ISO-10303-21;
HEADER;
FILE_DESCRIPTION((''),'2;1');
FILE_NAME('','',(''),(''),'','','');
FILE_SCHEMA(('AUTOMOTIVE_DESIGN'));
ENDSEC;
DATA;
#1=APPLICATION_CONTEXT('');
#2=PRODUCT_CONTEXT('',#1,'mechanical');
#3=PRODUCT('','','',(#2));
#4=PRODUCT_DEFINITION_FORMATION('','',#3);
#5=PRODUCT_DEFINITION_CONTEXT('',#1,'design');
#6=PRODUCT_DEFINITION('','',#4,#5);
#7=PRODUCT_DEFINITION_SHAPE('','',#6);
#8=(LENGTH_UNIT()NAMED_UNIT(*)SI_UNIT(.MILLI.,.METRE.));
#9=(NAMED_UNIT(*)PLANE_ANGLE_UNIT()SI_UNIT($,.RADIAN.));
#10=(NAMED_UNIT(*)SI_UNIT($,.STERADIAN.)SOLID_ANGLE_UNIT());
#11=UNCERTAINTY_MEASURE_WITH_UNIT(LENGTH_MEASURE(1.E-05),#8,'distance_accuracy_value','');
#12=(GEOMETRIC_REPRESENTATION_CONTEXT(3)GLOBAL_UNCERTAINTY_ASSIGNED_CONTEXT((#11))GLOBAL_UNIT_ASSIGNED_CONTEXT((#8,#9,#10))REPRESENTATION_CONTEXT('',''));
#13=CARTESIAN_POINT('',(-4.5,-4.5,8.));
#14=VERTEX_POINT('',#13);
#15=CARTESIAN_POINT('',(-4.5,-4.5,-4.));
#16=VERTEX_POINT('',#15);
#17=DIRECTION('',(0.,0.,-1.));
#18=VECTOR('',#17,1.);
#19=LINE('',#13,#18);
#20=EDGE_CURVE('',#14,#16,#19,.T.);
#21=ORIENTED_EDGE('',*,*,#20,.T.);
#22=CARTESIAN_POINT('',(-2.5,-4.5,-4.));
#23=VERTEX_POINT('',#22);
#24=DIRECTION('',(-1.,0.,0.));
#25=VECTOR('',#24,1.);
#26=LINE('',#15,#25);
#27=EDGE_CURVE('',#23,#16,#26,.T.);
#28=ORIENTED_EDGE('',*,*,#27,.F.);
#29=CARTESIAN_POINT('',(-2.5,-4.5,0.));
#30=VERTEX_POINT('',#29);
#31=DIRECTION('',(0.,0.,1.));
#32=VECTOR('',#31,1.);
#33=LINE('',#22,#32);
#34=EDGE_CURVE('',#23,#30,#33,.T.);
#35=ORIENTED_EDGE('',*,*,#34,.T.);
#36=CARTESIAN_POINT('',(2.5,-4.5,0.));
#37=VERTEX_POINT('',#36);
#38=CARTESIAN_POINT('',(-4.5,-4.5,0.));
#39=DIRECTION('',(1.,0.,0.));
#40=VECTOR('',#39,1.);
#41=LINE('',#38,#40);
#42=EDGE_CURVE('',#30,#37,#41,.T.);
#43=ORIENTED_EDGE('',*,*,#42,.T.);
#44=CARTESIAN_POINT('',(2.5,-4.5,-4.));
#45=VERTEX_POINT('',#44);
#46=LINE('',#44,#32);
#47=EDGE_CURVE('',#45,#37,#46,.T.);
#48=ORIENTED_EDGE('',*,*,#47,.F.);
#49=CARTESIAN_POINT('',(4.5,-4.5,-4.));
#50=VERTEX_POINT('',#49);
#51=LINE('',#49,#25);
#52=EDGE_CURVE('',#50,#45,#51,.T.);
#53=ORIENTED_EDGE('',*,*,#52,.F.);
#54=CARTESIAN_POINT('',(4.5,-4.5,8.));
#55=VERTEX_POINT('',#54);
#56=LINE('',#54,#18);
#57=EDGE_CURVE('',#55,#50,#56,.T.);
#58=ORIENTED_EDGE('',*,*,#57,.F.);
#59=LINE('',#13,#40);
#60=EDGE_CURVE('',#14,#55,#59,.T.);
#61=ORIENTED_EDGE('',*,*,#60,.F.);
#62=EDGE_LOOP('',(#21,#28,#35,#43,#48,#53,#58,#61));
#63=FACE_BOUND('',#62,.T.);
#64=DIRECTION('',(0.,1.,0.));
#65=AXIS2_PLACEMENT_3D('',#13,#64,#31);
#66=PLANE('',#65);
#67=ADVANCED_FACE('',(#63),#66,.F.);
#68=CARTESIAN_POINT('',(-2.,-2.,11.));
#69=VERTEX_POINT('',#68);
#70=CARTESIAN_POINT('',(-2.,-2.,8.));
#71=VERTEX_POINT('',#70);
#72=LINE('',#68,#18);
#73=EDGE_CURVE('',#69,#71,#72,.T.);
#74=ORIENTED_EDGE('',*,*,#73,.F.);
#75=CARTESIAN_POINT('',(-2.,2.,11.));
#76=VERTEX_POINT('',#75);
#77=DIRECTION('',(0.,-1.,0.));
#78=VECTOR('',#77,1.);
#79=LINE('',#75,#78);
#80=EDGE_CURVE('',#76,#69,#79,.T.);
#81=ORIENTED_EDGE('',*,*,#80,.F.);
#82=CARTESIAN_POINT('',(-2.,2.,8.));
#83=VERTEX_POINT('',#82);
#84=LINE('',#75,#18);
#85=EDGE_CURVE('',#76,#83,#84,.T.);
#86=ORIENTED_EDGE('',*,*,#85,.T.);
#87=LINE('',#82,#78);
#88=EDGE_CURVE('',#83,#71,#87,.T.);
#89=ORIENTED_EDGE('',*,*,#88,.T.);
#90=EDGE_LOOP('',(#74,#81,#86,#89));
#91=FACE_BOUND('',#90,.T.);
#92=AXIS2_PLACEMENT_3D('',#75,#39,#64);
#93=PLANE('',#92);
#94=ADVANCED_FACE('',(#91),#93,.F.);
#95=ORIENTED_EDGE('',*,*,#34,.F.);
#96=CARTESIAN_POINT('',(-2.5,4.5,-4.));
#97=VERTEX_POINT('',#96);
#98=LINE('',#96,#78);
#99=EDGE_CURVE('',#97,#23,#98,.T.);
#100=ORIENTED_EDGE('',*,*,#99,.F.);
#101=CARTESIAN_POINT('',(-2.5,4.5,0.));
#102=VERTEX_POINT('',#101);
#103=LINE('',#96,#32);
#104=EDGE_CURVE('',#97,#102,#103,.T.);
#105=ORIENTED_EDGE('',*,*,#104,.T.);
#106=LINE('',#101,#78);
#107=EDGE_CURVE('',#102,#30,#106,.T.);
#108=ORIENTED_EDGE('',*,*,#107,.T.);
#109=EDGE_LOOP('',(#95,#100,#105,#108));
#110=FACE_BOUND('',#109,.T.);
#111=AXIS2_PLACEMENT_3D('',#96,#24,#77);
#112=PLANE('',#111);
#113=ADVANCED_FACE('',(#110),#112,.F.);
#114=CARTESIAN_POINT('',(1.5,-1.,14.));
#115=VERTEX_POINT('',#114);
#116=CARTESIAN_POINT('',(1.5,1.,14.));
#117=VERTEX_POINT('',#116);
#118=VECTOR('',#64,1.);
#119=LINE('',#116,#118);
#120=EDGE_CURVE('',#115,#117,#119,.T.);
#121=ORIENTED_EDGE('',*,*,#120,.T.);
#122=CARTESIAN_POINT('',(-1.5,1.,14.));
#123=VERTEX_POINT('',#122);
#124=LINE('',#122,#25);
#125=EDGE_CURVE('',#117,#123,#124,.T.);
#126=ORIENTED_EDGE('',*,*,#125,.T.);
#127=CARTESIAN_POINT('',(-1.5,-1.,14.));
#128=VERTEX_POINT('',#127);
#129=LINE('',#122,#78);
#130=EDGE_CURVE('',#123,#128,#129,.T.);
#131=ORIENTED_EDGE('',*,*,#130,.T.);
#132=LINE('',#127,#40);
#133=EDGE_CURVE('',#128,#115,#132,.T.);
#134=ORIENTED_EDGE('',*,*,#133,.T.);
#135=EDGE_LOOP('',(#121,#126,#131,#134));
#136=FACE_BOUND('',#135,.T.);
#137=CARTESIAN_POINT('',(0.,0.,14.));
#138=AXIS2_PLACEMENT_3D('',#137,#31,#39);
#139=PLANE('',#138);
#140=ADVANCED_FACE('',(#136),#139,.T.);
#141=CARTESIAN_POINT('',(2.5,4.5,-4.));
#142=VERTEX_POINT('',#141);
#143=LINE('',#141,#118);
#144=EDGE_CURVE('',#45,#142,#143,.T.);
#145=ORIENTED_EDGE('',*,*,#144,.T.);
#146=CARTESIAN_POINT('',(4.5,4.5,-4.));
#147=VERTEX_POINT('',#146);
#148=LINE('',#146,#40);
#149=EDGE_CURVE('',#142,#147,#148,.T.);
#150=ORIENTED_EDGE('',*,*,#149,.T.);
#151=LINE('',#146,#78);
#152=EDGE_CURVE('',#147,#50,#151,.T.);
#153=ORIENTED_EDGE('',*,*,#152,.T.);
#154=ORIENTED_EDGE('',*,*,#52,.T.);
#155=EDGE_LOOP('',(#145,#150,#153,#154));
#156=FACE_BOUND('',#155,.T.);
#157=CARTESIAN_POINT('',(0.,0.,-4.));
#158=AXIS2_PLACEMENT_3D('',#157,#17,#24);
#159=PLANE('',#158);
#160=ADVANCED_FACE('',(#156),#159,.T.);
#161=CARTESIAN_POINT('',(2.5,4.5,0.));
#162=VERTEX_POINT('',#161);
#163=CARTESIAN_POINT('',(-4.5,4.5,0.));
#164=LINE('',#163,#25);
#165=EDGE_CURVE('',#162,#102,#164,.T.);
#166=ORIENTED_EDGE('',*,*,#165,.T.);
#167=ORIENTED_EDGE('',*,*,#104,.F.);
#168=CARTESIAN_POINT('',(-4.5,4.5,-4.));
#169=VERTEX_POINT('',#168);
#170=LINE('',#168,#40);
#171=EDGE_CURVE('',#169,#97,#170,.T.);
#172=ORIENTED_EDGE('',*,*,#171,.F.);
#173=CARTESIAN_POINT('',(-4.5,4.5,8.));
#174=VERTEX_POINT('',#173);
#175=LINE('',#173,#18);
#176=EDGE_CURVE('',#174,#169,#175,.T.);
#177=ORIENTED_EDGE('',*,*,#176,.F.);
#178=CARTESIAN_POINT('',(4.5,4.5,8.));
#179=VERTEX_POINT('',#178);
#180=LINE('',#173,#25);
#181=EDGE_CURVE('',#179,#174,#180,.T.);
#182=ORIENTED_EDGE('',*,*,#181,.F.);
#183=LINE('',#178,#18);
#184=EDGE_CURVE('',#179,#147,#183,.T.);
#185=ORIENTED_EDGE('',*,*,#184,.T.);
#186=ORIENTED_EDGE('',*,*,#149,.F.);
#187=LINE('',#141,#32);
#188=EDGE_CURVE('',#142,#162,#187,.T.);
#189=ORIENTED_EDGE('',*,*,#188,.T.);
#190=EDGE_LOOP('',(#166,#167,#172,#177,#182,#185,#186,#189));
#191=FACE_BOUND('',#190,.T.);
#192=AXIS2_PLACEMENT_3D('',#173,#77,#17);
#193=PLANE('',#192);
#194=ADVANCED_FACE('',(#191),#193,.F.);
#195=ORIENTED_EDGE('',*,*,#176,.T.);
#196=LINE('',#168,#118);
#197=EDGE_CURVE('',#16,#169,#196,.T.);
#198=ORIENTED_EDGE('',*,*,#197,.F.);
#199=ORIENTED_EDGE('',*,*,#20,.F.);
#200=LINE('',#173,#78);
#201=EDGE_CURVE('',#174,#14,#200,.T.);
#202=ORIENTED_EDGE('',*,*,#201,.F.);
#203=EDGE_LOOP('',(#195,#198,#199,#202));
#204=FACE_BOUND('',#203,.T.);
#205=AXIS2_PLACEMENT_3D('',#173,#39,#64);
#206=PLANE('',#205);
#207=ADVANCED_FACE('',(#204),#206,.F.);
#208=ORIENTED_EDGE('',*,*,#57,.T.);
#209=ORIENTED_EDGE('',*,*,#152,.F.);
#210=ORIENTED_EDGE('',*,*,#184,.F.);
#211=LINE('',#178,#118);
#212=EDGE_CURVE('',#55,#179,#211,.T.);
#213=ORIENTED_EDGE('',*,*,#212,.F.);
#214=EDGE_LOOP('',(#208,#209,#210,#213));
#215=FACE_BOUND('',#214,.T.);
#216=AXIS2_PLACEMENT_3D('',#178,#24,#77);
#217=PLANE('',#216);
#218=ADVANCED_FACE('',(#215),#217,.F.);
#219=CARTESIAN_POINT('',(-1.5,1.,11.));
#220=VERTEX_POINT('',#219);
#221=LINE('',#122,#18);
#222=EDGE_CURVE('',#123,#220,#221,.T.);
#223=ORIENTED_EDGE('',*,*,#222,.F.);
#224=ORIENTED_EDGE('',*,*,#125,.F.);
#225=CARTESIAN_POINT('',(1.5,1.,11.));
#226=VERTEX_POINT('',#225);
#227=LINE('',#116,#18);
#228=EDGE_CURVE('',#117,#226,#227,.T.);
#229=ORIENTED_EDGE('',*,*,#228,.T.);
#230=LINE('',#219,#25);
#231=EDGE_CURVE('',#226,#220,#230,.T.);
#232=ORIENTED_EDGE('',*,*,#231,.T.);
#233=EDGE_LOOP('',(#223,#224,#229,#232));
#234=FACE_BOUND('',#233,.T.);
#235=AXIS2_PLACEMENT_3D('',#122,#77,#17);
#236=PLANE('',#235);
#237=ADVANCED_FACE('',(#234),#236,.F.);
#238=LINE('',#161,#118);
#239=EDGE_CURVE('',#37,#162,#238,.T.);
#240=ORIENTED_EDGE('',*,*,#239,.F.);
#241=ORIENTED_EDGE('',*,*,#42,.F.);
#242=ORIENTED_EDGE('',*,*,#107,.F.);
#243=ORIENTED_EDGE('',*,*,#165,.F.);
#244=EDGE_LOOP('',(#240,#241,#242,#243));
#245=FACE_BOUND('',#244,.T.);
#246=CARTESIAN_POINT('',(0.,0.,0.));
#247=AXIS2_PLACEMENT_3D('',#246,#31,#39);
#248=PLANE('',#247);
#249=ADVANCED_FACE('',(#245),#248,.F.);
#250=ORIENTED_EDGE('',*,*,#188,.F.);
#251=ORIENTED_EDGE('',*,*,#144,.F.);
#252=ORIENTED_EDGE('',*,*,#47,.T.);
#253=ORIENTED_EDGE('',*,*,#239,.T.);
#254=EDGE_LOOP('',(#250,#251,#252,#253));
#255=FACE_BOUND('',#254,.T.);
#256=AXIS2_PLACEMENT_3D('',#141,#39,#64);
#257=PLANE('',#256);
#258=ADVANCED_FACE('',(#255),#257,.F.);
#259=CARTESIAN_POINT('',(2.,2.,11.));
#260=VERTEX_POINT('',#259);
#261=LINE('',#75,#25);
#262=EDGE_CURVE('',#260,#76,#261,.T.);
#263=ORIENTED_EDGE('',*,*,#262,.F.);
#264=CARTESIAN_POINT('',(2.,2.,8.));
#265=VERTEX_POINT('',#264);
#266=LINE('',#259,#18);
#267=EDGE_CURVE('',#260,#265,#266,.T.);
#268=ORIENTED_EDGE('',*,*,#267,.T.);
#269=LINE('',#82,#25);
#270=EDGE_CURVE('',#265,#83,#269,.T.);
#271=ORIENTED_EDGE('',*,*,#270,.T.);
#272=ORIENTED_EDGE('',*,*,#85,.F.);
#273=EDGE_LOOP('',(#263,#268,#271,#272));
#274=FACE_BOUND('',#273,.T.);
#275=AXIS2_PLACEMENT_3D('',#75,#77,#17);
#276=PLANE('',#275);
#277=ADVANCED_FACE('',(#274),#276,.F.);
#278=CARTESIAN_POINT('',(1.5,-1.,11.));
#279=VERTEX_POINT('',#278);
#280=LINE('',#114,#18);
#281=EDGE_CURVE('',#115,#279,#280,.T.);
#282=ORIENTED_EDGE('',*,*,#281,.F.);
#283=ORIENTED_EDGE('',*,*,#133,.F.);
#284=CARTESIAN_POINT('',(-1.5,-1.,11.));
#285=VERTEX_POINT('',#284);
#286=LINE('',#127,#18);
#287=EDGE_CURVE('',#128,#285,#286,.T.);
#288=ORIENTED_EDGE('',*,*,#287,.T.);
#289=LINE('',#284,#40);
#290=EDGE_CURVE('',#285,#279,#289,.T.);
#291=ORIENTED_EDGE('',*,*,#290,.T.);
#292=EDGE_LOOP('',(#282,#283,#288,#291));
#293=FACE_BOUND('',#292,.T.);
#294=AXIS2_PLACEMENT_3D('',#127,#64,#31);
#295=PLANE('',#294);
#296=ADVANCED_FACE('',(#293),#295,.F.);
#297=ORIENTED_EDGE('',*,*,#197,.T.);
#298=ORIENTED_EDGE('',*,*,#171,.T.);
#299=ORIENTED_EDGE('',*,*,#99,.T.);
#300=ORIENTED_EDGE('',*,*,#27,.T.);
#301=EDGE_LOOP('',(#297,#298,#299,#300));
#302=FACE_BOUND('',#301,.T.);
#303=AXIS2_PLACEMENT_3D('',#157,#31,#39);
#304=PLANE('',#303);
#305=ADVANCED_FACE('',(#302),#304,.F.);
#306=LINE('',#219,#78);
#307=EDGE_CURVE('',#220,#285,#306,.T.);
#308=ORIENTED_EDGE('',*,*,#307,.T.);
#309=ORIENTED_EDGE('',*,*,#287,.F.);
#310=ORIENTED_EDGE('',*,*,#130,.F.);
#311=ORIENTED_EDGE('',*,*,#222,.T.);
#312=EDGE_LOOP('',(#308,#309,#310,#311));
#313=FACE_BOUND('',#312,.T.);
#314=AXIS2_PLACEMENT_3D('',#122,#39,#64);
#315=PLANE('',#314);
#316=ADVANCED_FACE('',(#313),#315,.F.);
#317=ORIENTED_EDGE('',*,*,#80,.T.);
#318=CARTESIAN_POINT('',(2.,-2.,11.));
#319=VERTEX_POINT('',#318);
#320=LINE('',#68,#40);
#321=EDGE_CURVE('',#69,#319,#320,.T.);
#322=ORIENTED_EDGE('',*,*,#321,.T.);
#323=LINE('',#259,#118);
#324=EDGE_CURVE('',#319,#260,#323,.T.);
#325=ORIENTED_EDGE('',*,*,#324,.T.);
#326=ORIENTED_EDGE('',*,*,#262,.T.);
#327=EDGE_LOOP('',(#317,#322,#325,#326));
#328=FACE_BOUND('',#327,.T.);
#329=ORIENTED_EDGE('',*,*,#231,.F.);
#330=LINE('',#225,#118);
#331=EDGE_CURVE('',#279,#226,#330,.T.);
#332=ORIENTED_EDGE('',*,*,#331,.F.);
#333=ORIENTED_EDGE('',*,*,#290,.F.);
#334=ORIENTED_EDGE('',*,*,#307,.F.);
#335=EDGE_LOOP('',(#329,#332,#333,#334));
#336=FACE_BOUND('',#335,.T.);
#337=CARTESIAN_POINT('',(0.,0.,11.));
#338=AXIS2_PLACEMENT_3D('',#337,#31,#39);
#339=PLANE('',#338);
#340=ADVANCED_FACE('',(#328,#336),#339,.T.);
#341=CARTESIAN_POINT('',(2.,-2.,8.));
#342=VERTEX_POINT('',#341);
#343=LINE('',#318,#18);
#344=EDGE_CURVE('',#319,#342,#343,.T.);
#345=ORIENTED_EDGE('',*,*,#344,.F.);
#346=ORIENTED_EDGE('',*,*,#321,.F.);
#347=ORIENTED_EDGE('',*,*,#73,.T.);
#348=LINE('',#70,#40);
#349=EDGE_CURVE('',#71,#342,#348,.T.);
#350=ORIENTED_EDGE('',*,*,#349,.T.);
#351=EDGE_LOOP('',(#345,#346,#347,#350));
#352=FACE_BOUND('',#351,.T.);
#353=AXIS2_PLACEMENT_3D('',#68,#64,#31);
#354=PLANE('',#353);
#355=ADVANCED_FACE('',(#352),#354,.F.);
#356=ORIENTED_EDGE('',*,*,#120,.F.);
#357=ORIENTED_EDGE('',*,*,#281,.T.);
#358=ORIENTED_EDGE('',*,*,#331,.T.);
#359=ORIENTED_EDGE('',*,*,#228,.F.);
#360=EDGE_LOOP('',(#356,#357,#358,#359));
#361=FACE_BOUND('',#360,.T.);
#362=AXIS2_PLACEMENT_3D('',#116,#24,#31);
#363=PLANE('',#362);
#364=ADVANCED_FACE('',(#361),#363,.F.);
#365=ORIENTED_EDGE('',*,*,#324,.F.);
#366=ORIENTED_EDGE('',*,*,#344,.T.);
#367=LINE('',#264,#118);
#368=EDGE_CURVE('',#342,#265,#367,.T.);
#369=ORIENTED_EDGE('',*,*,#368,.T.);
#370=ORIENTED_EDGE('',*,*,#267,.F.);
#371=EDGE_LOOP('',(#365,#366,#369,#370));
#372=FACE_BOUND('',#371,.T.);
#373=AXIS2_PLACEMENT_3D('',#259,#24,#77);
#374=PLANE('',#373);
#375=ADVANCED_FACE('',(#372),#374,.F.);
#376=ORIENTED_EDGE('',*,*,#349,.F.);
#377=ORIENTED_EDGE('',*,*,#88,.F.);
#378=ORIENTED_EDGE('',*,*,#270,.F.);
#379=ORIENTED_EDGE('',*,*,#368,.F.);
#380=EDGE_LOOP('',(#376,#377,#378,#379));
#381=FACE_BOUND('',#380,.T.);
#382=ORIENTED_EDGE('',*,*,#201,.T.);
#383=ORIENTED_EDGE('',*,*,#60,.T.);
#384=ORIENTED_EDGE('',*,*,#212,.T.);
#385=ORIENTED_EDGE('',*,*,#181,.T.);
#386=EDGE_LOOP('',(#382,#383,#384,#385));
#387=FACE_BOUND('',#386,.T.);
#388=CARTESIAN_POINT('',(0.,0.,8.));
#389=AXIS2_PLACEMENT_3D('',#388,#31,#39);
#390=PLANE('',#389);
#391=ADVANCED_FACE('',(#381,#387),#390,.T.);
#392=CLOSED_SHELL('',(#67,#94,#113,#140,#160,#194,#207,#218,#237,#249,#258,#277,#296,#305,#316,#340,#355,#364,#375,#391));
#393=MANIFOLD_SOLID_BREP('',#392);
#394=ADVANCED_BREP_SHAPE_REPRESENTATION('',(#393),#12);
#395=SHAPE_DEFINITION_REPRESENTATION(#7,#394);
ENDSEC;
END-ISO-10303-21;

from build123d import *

# Parameters (mm, degrees)
SKETCH1_W           = 9
SKETCH1_H           = 9
MAIN_BODY_DEPTH     = 8
SKETCH2_W           = 4
SKETCH2_H           = 4
BOSS_EXTRUDE2_DEPTH = 3
SKETCH3_W           = 3
SKETCH3_H           = 2
BOSS_EXTRUDE3_DEPTH = 3
SKETCH4_W           = 2
SKETCH4_H           = 9
PINS_DEPTH          = 4


with BuildPart() as part:
    # Sketch1 → MAIN BODY (new body)
    with BuildSketch(Plane.XY):
        Rectangle(SKETCH1_W, SKETCH1_H)
    extrude(amount=MAIN_BODY_DEPTH)

    # Sketch2 → Boss-Extrude2 (add)
    with BuildSketch(Plane.XY.offset(8)):
        Rectangle(SKETCH2_W, SKETCH2_H)
    extrude(amount=BOSS_EXTRUDE2_DEPTH)

    # Sketch3 → Boss-Extrude3 (add)
    with BuildSketch(Plane.XY.offset(11)):
        Rectangle(SKETCH3_W, SKETCH3_H)
    extrude(amount=BOSS_EXTRUDE3_DEPTH)

    # Sketch4 → PINS (add)
    with BuildSketch(Plane(origin=(0, 0, 0), x_dir=(-1, 0, 0), z_dir=(0, 0, -1))):
        with Locations((-3.5, 0)):
            Rectangle(SKETCH4_W, SKETCH4_H)
        with Locations((3.5, 0)):
            Rectangle(SKETCH4_W, SKETCH4_H)
    extrude(amount=PINS_DEPTH)


solid = part.part
